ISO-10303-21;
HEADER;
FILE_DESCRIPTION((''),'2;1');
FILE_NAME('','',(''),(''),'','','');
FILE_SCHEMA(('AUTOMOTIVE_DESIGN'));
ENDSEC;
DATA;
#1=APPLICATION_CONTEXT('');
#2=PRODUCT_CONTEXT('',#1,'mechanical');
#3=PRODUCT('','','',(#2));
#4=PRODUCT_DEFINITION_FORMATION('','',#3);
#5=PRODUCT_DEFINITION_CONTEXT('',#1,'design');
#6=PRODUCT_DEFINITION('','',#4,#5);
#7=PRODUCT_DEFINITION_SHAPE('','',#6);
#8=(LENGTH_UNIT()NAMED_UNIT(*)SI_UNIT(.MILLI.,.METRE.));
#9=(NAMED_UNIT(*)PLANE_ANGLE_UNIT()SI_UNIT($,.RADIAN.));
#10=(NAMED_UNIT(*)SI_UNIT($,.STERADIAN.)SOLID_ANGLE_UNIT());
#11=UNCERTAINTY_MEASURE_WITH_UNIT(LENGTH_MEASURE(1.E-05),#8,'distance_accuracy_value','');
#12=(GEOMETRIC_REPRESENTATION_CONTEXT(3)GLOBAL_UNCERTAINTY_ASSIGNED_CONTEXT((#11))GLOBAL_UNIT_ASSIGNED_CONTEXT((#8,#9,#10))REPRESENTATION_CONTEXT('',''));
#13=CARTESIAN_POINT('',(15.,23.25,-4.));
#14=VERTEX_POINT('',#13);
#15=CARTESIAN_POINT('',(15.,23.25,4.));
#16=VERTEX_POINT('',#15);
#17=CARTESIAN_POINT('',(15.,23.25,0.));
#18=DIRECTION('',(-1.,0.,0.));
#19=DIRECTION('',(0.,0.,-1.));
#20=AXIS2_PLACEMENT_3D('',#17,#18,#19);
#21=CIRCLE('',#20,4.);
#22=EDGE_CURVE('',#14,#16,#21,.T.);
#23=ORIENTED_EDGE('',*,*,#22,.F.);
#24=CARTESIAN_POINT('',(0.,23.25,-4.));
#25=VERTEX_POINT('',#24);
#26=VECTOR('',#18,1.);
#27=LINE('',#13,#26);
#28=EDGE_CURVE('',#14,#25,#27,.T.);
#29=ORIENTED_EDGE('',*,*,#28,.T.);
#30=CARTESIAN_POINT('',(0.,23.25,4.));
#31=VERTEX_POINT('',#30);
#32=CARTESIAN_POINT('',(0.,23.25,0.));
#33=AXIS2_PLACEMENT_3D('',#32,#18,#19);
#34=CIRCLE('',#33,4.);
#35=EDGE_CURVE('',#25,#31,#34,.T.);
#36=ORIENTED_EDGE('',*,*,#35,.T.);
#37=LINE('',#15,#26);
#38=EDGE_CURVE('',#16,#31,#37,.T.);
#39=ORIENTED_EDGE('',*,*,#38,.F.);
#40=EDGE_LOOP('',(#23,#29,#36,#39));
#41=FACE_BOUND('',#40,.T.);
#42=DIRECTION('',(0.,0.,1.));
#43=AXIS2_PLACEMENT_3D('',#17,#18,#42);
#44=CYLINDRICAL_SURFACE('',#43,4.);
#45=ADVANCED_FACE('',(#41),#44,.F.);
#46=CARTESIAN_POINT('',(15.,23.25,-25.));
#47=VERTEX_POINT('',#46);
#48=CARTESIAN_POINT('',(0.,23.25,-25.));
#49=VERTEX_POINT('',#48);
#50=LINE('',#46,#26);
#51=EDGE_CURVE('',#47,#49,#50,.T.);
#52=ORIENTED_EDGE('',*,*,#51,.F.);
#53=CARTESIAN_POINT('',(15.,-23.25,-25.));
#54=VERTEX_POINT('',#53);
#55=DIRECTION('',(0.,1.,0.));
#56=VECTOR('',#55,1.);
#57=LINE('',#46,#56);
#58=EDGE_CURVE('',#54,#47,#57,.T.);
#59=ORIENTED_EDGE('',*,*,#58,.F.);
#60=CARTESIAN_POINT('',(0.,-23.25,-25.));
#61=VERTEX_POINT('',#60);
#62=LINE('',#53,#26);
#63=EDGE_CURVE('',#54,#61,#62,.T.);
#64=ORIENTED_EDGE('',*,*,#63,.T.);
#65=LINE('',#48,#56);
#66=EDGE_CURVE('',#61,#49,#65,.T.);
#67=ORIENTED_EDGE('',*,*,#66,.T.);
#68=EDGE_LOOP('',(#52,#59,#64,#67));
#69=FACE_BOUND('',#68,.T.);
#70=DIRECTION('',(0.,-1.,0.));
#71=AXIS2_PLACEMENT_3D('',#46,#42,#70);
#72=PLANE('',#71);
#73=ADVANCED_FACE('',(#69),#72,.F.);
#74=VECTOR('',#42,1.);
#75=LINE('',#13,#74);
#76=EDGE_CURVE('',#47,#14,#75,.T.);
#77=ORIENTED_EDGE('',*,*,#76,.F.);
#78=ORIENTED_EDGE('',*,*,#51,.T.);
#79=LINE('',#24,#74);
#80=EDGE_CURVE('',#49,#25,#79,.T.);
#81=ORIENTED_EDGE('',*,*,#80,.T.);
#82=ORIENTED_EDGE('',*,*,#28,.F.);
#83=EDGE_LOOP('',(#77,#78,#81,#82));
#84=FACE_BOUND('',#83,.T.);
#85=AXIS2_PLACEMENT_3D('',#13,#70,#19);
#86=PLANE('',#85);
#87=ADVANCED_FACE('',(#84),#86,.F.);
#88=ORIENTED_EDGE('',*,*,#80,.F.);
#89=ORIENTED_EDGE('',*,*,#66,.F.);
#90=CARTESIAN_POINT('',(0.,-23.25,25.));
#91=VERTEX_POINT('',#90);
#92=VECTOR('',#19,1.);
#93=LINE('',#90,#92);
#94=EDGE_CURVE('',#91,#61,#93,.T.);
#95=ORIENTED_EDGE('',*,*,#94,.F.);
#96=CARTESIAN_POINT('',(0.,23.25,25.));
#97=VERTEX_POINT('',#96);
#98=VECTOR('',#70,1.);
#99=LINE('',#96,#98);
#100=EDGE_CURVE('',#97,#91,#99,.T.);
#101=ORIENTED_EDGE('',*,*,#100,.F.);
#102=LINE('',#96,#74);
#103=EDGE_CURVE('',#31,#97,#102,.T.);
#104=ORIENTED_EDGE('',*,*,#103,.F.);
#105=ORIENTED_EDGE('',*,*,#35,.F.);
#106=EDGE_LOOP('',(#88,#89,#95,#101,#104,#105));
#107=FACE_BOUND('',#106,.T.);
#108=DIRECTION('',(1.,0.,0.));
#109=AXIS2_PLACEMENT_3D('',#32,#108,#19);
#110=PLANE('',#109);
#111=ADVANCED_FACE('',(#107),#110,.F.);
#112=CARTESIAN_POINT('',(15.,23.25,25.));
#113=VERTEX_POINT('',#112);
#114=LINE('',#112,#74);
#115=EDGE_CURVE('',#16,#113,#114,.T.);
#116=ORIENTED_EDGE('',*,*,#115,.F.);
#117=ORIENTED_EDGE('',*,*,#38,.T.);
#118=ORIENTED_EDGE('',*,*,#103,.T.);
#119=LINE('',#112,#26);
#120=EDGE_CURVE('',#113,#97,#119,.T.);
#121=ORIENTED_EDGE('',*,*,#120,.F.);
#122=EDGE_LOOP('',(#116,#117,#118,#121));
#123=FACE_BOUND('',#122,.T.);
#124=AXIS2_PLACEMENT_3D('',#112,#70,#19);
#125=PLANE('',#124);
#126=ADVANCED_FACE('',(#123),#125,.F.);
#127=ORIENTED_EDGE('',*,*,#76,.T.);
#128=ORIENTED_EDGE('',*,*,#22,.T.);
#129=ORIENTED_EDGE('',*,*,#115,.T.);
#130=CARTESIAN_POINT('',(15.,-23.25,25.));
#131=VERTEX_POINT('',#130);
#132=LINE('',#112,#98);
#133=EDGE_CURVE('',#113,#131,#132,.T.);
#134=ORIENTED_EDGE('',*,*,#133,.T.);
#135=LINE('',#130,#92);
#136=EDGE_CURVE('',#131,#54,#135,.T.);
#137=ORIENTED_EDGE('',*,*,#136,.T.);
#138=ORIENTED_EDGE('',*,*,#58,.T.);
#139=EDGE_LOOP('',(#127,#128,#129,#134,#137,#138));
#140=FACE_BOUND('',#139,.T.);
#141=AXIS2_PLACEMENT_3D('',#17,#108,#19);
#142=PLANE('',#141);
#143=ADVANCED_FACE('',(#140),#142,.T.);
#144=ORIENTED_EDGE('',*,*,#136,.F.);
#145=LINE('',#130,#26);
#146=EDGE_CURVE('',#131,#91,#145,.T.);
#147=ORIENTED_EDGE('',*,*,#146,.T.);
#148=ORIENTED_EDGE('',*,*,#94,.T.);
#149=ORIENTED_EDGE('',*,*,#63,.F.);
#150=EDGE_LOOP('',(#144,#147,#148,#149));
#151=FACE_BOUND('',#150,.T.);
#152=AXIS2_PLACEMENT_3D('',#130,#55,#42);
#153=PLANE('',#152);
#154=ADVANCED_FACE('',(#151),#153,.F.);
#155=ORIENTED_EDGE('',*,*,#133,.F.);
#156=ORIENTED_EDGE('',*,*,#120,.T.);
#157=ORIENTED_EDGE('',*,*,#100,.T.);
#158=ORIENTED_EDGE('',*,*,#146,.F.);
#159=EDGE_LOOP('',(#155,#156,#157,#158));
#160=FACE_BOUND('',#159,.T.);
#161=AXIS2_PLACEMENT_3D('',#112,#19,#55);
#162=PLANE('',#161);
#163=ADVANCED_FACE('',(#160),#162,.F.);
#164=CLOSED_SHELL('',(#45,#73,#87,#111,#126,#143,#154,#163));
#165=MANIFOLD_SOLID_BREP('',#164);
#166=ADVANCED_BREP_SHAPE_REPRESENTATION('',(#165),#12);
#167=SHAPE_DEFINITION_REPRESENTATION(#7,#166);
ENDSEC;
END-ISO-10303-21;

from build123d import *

# Parameters (mm, degrees)
SALIENTE_EXTRUIR1_DEPTH = 15


with BuildPart() as part:
    # Croquis1 → Saliente-Extruir1 (new body)
    with BuildSketch(Plane(origin=(0, 0, 0), x_dir=(0, 0, -1), z_dir=(1, 0, 0))):
        with BuildLine():
            Line((4, 23.25), (25, 23.25))
            Line((25, 23.25), (25, -23.25))
            Line((25, -23.25), (-25, -23.25))
            Line((-25, -23.25), (-25, 23.25))
            Line((-25, 23.25), (-4, 23.25))
            ThreePointArc((-4, 23.25), (0, 19.25), (4, 23.25))
        make_face()
    extrude(amount=SALIENTE_EXTRUIR1_DEPTH)


solid = part.part
